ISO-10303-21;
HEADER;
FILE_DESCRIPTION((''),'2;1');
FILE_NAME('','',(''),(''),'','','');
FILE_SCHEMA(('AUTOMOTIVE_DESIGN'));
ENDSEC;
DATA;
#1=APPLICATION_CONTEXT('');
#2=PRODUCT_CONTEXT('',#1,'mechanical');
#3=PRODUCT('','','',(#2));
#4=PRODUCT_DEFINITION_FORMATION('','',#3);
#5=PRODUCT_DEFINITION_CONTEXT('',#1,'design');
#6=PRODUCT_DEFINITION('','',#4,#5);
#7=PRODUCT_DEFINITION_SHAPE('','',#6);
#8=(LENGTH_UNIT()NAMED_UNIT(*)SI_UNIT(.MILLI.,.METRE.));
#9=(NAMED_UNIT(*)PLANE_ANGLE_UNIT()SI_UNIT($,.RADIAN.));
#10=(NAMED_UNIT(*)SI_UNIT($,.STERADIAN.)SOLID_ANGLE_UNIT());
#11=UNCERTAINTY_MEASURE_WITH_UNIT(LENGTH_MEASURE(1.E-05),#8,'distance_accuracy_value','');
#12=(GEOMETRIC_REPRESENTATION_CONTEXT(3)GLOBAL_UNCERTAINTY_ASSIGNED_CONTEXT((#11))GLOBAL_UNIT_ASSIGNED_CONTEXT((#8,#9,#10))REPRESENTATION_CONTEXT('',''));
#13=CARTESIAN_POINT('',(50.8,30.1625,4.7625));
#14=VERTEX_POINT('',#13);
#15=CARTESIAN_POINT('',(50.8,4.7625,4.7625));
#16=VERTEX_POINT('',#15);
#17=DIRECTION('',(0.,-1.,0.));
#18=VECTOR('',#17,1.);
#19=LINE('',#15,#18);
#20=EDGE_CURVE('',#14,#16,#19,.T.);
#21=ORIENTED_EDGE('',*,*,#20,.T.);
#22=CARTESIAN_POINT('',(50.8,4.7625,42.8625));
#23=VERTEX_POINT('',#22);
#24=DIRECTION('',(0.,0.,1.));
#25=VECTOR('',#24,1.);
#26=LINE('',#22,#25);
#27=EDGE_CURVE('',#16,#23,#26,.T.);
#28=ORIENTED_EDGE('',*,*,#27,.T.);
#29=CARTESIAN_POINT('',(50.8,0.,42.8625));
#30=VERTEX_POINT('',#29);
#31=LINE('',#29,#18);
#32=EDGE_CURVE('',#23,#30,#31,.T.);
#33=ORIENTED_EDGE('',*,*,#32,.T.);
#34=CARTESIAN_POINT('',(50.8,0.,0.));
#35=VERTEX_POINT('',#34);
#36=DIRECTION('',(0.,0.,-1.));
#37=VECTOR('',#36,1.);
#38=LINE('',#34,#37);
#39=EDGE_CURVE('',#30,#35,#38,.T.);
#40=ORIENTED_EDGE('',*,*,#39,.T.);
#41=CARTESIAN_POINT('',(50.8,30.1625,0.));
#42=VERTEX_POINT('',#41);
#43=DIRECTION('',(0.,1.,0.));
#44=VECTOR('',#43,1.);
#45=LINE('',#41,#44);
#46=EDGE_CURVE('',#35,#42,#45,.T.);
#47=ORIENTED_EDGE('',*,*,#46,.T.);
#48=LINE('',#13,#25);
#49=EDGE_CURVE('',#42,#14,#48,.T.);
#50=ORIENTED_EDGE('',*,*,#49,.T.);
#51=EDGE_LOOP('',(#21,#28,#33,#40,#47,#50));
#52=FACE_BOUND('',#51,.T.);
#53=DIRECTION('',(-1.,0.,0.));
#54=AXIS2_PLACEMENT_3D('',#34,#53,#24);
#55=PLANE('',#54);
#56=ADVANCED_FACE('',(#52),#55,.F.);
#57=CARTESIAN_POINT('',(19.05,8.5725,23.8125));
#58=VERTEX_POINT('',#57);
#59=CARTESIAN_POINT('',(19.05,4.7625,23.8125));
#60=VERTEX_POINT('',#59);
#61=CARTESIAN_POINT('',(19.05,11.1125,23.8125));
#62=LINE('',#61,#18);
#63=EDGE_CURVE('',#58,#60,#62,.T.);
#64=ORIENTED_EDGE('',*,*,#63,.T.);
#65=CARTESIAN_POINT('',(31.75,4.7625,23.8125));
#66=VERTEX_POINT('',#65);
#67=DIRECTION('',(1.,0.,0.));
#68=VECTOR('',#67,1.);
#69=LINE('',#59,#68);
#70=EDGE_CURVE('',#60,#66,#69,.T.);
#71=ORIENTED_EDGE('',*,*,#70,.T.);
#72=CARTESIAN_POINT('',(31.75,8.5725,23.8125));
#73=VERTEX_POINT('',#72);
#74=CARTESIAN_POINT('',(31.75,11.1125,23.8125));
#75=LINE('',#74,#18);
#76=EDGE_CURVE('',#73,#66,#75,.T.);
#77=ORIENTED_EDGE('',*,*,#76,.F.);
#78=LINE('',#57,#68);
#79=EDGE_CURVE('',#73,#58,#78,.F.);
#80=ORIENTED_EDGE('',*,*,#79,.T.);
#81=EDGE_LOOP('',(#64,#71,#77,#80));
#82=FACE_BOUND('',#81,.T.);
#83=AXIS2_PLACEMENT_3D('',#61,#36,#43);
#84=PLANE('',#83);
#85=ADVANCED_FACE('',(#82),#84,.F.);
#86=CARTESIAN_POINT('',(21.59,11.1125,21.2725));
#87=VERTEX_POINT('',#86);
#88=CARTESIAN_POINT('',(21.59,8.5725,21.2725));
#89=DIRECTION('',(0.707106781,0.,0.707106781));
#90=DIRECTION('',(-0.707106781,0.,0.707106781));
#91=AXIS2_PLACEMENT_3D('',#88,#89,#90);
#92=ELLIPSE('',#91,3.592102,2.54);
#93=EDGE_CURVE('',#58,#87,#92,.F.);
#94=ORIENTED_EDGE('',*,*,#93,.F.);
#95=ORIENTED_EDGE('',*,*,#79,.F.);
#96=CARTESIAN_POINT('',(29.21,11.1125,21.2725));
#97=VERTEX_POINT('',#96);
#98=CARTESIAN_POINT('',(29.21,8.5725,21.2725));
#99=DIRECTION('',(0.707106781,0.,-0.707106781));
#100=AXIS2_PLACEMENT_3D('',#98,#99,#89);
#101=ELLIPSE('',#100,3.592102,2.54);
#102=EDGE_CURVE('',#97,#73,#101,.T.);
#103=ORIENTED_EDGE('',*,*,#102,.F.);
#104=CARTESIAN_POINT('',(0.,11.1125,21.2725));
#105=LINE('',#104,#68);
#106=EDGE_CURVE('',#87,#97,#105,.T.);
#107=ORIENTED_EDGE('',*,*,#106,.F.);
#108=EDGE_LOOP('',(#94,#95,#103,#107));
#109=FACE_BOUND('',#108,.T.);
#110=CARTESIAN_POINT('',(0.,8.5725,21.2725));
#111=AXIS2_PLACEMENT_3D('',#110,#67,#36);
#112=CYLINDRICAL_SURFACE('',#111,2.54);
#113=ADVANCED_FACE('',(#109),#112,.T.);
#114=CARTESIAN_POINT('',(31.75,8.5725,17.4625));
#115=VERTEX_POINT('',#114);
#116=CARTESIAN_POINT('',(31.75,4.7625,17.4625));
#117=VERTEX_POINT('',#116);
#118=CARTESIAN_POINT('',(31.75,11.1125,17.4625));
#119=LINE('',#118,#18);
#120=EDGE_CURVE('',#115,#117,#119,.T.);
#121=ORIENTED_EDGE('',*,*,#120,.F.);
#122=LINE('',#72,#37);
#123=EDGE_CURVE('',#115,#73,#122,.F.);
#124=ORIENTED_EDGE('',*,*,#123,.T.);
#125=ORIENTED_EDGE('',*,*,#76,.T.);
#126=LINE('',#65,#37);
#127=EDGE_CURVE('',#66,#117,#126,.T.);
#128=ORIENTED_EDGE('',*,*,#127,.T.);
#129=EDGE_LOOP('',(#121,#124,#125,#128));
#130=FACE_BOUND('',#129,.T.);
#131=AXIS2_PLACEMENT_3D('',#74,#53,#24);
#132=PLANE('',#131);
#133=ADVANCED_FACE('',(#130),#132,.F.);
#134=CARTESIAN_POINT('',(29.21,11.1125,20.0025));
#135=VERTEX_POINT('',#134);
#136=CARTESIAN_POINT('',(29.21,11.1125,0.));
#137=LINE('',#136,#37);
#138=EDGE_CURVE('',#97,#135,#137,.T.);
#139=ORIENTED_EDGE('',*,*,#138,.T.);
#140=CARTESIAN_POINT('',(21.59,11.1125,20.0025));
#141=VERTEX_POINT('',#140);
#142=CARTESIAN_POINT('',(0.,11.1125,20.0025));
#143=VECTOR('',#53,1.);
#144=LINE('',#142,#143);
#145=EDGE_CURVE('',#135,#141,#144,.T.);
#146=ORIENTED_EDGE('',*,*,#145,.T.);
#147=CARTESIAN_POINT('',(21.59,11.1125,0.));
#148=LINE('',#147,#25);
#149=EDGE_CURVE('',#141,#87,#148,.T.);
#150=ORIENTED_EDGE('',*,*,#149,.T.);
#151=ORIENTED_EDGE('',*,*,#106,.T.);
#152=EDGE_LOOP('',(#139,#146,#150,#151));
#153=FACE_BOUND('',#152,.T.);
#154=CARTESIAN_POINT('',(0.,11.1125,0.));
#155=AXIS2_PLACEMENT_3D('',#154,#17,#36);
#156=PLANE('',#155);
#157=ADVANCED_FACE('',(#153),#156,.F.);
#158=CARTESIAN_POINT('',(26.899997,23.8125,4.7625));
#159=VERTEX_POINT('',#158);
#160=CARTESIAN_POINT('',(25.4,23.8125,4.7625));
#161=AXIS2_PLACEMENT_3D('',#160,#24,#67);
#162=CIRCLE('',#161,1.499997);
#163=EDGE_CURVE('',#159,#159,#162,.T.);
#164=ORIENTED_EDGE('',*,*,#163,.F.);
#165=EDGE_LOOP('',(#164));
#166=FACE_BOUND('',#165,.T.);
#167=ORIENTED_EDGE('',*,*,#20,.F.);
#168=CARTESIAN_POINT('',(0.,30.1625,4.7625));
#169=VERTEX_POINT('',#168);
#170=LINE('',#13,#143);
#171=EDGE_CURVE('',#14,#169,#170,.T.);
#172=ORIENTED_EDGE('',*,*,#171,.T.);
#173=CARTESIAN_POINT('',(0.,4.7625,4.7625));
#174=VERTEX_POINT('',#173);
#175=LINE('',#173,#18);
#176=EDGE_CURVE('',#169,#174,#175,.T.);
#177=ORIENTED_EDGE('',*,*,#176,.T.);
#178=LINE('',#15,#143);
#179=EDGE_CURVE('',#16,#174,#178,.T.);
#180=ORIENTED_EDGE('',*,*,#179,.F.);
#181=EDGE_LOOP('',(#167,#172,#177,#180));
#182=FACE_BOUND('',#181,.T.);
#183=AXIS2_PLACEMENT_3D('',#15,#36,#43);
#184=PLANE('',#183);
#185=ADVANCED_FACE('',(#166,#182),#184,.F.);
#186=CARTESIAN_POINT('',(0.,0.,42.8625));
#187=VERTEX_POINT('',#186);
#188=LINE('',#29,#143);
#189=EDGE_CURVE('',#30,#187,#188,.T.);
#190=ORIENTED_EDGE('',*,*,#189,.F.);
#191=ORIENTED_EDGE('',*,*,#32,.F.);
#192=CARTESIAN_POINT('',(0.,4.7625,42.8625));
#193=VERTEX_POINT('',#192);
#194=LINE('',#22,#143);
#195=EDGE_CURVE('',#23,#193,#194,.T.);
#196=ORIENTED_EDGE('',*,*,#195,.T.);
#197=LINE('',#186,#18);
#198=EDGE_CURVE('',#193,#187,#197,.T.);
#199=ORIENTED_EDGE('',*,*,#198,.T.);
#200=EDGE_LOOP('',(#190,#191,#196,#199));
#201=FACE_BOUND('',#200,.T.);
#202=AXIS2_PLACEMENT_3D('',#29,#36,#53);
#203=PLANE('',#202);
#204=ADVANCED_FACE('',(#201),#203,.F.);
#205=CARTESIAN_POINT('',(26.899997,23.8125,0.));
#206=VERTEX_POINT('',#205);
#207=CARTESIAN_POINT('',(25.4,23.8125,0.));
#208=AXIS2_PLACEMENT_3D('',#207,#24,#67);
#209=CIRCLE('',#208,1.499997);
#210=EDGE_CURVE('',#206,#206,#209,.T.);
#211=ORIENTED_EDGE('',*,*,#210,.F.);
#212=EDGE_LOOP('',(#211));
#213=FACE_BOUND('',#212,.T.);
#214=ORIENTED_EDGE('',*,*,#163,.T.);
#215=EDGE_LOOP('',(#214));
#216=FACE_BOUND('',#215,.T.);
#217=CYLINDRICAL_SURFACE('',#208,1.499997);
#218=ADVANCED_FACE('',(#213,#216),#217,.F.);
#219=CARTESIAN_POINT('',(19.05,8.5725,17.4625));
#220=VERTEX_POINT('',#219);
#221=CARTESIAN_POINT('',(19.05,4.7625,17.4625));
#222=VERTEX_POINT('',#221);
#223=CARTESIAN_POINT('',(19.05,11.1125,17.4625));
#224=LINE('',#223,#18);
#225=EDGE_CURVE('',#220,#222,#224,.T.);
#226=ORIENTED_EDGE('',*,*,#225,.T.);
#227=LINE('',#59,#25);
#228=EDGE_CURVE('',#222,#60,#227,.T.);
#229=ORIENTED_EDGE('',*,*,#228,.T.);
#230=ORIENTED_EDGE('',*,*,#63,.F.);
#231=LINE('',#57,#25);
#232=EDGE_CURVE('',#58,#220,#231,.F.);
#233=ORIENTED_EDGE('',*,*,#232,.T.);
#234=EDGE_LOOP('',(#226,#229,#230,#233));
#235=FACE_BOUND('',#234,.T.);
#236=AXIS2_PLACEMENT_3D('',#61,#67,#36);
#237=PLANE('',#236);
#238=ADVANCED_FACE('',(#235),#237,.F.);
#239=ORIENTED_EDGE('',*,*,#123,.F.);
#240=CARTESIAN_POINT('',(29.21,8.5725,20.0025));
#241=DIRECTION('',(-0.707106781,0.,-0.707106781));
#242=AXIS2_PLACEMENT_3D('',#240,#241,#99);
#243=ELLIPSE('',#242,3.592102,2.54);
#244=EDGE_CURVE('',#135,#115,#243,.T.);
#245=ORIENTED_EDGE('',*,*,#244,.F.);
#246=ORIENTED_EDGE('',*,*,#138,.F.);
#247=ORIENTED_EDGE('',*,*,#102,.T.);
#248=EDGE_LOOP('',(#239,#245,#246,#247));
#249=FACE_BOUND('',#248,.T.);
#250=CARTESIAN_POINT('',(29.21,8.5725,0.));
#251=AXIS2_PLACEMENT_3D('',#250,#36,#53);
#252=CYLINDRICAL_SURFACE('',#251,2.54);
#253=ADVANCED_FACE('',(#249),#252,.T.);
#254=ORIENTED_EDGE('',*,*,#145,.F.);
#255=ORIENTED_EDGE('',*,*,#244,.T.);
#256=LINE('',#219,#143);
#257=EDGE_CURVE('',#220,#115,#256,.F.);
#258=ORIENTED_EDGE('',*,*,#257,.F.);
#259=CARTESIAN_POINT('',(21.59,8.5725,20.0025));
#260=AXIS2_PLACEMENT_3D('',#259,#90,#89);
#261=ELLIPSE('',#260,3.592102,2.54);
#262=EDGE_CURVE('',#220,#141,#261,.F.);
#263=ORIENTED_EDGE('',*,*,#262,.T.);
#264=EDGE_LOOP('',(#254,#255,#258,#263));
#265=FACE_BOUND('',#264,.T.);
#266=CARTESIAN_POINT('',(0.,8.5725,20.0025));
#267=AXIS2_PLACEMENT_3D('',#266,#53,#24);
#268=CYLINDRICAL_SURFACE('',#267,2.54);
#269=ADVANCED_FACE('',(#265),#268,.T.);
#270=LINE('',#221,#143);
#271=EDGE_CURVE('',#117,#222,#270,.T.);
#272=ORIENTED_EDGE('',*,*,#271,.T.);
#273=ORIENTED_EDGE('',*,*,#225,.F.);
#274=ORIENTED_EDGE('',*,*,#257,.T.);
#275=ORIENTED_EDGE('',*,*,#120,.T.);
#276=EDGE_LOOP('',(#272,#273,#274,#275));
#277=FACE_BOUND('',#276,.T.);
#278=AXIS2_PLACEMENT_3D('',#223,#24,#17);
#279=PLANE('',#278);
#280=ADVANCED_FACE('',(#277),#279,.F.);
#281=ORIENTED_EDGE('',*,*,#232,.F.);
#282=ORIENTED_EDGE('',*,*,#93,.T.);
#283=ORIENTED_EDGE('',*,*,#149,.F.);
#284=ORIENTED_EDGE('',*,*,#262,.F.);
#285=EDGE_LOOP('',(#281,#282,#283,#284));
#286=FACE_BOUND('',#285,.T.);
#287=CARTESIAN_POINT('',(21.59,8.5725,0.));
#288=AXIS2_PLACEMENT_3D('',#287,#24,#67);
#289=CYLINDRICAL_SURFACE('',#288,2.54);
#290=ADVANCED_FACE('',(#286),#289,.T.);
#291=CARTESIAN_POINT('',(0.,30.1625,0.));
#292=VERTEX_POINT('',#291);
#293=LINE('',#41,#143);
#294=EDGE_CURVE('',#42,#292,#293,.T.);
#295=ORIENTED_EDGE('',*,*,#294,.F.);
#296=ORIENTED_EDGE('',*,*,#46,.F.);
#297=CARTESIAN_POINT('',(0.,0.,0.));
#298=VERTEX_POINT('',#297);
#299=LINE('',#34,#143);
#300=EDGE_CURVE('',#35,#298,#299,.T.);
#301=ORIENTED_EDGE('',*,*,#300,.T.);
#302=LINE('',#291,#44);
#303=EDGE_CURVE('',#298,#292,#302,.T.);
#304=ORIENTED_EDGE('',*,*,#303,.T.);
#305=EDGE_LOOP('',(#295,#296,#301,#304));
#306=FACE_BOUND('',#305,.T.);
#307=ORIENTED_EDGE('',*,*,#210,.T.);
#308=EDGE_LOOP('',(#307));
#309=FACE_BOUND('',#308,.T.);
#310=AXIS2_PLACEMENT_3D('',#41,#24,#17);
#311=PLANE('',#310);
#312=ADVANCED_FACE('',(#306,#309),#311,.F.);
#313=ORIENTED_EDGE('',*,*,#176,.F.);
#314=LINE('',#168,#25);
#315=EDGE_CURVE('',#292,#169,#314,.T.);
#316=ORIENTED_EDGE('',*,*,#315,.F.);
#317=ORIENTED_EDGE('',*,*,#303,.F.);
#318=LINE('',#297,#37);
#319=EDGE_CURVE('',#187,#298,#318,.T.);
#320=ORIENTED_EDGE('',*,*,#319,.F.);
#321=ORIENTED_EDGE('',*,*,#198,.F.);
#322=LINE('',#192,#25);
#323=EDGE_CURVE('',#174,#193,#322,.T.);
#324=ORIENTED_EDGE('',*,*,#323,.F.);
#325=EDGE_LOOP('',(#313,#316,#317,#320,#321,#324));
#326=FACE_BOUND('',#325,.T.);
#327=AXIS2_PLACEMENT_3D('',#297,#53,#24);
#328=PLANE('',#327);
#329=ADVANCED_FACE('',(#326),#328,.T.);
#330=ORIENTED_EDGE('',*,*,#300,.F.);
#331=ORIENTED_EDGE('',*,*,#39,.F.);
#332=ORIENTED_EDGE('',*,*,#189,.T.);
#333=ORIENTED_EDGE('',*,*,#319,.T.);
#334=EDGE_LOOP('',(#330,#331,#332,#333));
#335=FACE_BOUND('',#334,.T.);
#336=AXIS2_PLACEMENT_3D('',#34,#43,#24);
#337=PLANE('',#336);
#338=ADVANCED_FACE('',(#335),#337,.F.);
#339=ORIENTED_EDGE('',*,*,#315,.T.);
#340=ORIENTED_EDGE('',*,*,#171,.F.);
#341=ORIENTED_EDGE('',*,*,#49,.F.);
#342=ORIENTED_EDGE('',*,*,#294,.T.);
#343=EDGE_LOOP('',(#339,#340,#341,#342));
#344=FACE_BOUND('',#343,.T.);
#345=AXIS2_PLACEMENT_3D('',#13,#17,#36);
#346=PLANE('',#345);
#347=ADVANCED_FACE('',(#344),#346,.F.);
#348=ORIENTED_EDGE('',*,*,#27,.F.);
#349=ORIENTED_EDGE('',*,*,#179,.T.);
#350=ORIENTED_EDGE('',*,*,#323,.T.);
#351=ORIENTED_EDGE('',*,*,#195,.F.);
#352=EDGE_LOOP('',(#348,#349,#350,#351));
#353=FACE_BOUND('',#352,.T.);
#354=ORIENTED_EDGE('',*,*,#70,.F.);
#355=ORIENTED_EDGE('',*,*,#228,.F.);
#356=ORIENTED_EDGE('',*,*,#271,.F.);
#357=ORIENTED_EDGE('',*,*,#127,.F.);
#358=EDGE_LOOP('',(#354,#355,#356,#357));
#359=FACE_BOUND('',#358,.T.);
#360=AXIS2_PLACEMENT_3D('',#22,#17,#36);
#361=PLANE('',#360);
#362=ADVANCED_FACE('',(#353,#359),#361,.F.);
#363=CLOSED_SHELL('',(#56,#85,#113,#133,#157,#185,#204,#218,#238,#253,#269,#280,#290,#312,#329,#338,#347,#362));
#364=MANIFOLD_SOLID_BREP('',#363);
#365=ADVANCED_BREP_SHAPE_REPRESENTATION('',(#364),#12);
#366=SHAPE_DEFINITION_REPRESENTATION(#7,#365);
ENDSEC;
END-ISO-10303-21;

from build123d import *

# Parameters (mm, degrees)
BOSS_EXTRUDE1_DEPTH = 50.8
SKETCH2_W           = 12.7
SKETCH2_H           = 6.35
BOSS_EXTRUDE2_DEPTH = 6.35
SKETCH3_R           = 1.499997
CUT_EXTRUDE1_DEPTH  = 71.299547696
FILLET1_R           = 2.54


with BuildPart() as part:
    # Sketch1 → Boss-Extrude1 (new body)
    with BuildSketch(Plane(origin=(0, 0, 0), x_dir=(0, 0, -1), z_dir=(1, 0, 0))):
        Polygon((0, 0), (-42.8625, 0), (-42.8625, 4.7625), (-4.7625, 4.7625), (-4.7625, 30.1625), (0, 30.1625), align=None)
    extrude(amount=BOSS_EXTRUDE1_DEPTH)

    # Sketch2 → Boss-Extrude2 (add)
    with BuildSketch(Plane(origin=(0, 4.7625, 0), x_dir=(1, 0, 0), z_dir=(0, 1, 0))):
        with Locations((25.4, -20.6375)):
            Rectangle(SKETCH2_W, SKETCH2_H)
    extrude(amount=BOSS_EXTRUDE2_DEPTH)

    # Sketch3 → Cut-Extrude1 (cut, through all)
    with BuildSketch(Plane.XY.offset(4.7625)):
        with Locations((25.4, 23.8125)):
            Circle(SKETCH3_R)
    extrude(amount=-CUT_EXTRUDE1_DEPTH, mode=Mode.SUBTRACT)

    # Fillet1
    fillet1_edges = [part.edges().sort_by_distance(p)[0] for p in [
        (19.05, 11.1125, 20.6375),
        (25.4, 11.1125, 23.8125),
        (31.75, 11.1125, 20.6375),
        (25.4, 11.1125, 17.4625),
    ]]
    fillet(fillet1_edges, radius=FILLET1_R)


solid = part.part
